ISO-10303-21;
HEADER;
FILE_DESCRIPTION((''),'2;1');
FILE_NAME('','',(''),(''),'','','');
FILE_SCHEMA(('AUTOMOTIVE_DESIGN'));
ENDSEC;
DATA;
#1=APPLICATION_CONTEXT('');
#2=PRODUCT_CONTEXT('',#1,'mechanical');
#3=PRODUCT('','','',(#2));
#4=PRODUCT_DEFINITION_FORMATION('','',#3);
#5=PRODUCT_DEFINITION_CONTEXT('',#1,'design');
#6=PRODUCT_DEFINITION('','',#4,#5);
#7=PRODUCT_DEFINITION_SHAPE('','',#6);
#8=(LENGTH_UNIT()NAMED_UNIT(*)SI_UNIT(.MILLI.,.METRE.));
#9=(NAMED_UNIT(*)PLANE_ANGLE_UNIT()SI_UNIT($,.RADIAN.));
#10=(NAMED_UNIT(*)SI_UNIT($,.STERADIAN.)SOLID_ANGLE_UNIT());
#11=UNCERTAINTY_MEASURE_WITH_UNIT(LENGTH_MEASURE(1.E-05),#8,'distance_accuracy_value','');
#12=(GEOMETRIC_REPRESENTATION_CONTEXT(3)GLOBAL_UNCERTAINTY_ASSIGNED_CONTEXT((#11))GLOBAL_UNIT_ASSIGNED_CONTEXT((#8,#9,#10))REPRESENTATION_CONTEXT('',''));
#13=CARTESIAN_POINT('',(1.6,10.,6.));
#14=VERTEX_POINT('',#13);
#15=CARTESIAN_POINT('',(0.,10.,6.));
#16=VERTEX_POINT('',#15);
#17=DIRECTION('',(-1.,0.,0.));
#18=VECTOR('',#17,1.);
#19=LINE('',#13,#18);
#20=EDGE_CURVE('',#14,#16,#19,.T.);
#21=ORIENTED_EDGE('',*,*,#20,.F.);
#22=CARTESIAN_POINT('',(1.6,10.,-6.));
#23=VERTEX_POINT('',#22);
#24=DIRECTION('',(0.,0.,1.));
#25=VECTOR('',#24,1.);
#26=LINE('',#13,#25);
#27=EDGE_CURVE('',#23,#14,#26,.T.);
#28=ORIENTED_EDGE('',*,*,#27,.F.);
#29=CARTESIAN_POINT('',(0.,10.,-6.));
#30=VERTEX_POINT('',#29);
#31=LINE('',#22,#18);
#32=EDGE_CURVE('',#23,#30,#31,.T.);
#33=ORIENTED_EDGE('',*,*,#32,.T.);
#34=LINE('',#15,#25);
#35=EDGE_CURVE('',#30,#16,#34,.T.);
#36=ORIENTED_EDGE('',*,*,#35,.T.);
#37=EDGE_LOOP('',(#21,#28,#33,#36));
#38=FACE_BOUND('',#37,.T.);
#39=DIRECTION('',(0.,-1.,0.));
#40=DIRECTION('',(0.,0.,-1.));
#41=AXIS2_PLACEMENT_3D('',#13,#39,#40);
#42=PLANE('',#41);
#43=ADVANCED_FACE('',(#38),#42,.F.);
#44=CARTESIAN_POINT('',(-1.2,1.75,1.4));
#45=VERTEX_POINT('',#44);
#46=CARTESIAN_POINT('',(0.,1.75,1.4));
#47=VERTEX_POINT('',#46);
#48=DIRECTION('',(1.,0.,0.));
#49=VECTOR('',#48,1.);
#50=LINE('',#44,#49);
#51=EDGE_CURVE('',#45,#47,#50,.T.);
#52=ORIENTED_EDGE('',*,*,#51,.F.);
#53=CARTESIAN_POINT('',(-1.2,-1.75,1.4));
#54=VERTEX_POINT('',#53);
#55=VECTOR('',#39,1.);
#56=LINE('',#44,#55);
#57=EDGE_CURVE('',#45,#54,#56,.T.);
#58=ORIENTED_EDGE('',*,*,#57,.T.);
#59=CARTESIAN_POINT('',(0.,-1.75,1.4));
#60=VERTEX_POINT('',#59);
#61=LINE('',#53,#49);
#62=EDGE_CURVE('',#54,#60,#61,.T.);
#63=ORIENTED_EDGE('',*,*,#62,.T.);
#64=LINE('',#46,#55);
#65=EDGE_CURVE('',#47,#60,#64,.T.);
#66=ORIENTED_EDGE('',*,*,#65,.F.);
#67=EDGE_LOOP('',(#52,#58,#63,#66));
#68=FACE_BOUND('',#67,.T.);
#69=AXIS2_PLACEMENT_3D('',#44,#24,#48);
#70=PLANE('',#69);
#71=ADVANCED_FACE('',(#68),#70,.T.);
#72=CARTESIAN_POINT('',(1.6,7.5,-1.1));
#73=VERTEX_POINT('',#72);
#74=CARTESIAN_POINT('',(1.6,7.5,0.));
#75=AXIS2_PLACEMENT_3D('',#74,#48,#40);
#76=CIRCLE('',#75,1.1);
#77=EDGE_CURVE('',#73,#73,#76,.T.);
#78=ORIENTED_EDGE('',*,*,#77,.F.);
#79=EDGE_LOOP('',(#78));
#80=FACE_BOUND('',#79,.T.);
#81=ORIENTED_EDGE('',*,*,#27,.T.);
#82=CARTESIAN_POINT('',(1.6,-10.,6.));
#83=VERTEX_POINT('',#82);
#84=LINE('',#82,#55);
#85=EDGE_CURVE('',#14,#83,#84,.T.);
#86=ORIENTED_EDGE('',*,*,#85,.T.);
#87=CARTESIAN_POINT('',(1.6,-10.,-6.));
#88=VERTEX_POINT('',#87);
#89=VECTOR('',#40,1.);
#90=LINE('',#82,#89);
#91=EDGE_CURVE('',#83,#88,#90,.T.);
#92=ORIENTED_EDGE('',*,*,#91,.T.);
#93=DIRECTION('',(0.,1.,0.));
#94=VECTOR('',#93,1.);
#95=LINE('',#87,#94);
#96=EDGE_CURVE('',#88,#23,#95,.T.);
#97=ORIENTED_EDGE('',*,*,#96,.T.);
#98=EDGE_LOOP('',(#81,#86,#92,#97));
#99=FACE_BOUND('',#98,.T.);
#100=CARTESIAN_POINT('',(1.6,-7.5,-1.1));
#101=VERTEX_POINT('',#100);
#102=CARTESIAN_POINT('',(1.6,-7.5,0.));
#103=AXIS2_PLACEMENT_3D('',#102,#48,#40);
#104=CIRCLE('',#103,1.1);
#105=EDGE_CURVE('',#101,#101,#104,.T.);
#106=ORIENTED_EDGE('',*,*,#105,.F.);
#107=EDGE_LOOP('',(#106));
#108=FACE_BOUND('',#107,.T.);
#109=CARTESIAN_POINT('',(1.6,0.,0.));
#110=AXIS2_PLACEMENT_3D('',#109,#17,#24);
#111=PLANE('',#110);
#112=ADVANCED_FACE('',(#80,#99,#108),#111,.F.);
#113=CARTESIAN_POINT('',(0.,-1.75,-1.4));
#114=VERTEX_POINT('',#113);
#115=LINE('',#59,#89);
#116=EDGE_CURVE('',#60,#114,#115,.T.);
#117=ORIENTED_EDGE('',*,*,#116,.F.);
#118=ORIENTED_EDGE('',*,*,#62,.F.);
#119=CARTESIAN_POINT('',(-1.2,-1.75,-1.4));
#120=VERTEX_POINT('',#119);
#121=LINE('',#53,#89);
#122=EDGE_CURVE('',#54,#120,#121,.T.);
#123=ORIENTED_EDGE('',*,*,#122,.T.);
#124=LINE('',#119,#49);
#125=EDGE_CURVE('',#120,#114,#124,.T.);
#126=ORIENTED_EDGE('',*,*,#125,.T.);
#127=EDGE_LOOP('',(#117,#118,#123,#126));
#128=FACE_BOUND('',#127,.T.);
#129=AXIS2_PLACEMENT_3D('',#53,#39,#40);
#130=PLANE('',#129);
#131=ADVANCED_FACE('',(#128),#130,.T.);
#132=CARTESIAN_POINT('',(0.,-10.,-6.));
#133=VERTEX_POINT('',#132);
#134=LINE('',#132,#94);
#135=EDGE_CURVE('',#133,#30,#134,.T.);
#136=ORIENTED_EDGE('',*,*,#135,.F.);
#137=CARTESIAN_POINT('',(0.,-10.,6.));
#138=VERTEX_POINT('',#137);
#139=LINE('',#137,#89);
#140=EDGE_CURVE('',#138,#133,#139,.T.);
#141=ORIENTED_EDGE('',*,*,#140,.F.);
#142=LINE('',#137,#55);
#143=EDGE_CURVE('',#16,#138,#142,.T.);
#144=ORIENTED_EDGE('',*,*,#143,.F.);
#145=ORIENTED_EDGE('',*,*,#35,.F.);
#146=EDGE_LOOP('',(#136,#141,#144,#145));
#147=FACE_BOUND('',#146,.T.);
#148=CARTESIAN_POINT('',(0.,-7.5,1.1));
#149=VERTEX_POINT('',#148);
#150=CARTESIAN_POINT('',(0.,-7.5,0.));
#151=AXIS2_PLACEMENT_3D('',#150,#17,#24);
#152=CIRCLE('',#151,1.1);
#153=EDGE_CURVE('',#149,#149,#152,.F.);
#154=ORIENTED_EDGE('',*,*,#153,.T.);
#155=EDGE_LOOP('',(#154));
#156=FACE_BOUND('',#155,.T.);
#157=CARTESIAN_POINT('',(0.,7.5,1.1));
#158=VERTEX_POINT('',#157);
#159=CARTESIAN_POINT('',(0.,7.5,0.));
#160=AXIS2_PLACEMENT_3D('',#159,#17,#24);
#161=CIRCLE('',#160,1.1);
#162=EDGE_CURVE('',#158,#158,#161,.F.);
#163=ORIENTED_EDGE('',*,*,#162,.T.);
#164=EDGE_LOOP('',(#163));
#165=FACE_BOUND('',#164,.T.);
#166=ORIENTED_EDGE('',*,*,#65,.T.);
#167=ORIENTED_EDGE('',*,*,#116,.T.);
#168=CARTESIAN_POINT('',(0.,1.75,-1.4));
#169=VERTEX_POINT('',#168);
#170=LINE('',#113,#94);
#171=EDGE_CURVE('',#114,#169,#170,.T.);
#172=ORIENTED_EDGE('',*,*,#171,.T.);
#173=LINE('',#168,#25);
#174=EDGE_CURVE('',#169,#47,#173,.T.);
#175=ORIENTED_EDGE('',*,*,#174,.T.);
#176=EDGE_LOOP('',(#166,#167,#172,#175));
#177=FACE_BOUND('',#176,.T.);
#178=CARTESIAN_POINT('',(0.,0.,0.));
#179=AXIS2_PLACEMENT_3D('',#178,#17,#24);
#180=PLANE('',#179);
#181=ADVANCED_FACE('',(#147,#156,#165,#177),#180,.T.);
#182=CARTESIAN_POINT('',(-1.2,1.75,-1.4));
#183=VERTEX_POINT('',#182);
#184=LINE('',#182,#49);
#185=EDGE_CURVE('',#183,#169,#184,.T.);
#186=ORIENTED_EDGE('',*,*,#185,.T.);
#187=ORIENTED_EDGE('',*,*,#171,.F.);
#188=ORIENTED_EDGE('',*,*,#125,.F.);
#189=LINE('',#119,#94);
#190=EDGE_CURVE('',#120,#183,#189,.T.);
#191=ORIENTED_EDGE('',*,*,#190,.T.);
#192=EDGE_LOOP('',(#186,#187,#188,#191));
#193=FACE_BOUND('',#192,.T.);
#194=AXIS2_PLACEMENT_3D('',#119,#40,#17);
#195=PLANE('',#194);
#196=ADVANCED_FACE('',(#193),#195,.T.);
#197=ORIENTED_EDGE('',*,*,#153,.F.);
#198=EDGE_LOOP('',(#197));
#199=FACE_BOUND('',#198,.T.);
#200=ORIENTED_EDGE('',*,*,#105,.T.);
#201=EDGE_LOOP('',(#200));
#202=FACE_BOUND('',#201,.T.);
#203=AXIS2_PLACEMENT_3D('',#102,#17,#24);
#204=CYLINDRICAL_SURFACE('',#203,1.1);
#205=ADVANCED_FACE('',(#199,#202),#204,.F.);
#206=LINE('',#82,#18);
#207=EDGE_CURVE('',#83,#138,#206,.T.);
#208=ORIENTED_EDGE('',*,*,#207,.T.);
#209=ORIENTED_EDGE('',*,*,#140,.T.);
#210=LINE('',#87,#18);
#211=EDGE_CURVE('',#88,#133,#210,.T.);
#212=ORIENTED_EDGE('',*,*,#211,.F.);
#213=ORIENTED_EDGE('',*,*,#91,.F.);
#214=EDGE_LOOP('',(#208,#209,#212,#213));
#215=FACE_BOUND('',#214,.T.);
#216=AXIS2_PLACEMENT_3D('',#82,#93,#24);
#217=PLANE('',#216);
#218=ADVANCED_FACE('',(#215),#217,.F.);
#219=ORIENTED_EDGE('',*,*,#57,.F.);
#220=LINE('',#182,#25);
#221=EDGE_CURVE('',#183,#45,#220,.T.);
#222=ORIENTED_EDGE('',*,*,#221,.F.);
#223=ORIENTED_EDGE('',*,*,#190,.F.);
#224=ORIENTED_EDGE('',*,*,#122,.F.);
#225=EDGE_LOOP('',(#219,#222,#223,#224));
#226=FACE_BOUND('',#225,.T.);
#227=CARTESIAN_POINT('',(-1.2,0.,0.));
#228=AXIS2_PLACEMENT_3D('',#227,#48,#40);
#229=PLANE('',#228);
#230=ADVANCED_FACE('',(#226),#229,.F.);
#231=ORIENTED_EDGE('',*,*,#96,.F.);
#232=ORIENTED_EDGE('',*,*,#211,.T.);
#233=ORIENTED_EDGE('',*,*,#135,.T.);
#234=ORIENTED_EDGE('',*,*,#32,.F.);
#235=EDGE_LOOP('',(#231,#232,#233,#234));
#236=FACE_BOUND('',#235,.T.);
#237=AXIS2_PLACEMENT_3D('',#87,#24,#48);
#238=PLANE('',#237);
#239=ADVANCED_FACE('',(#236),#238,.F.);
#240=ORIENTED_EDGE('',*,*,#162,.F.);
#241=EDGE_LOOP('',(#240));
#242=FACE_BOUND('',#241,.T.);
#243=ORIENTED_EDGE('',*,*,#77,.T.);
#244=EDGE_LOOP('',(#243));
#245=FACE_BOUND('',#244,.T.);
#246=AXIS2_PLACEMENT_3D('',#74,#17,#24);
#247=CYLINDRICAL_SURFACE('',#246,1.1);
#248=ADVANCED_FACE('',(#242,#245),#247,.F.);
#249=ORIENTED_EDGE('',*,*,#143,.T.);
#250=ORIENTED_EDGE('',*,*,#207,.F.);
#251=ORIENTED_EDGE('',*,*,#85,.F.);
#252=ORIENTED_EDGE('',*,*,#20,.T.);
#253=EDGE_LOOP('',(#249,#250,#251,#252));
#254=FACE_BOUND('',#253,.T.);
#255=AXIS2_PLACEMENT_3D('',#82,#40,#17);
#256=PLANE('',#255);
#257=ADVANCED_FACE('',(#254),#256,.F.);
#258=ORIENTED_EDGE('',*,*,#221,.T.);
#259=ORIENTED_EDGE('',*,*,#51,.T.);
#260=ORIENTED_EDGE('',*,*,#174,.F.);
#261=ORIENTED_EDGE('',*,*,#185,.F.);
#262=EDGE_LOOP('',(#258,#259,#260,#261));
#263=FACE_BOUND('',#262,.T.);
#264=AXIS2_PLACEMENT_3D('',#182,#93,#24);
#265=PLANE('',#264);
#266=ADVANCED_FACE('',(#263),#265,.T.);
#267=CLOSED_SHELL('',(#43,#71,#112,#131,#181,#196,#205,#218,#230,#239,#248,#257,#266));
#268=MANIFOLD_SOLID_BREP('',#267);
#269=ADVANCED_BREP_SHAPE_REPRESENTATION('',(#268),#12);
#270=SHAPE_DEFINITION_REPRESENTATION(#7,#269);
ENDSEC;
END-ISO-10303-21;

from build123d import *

# Parameters (mm, degrees)
SKETCH1_W           = 12
SKETCH1_H           = 20
BOARD_DEPTH         = 1.6
SKETCH2_W           = 2.8
SKETCH2_H           = 3.5
UV_SENSOR_DEPTH     = 1.2
HOLES_M2_DEPTH      = 12.771151176
HOLES_M2_DEPTH_BACK = 12.771151176
SKETCH3_R           = 1.1


with BuildPart() as part:
    # Sketch1 → Board (new body)
    with BuildSketch(Plane(origin=(0, 0, 0), x_dir=(0, 0, -1), z_dir=(1, 0, 0))):
        Rectangle(SKETCH1_W, SKETCH1_H)
    extrude(amount=BOARD_DEPTH)

    # Sketch2 → UV_Sensor (add)
    with BuildSketch(Plane(origin=(0, 0, 0), x_dir=(0, 0, -1), z_dir=(1, 0, 0))):
        Rectangle(SKETCH2_W, SKETCH2_H)
    extrude(amount=-UV_SENSOR_DEPTH)

    # Sketch3 → Holes_M2 (cut, two sides: drawn at the far end of the back side and taken through both)
    with BuildSketch(Plane(origin=(0, 0, 0), x_dir=(0, 0, -1), z_dir=(1, 0, 0)).offset(-HOLES_M2_DEPTH_BACK)):
        with Locations(Location((0, -7.5, 0), (0, 0, 180))):
            Circle(SKETCH3_R)
        with Locations(Location((0, 7.5, 0), (0, 0, 180))):
            Circle(SKETCH3_R)
    extrude(amount=HOLES_M2_DEPTH + HOLES_M2_DEPTH_BACK, mode=Mode.SUBTRACT)


solid = part.part
